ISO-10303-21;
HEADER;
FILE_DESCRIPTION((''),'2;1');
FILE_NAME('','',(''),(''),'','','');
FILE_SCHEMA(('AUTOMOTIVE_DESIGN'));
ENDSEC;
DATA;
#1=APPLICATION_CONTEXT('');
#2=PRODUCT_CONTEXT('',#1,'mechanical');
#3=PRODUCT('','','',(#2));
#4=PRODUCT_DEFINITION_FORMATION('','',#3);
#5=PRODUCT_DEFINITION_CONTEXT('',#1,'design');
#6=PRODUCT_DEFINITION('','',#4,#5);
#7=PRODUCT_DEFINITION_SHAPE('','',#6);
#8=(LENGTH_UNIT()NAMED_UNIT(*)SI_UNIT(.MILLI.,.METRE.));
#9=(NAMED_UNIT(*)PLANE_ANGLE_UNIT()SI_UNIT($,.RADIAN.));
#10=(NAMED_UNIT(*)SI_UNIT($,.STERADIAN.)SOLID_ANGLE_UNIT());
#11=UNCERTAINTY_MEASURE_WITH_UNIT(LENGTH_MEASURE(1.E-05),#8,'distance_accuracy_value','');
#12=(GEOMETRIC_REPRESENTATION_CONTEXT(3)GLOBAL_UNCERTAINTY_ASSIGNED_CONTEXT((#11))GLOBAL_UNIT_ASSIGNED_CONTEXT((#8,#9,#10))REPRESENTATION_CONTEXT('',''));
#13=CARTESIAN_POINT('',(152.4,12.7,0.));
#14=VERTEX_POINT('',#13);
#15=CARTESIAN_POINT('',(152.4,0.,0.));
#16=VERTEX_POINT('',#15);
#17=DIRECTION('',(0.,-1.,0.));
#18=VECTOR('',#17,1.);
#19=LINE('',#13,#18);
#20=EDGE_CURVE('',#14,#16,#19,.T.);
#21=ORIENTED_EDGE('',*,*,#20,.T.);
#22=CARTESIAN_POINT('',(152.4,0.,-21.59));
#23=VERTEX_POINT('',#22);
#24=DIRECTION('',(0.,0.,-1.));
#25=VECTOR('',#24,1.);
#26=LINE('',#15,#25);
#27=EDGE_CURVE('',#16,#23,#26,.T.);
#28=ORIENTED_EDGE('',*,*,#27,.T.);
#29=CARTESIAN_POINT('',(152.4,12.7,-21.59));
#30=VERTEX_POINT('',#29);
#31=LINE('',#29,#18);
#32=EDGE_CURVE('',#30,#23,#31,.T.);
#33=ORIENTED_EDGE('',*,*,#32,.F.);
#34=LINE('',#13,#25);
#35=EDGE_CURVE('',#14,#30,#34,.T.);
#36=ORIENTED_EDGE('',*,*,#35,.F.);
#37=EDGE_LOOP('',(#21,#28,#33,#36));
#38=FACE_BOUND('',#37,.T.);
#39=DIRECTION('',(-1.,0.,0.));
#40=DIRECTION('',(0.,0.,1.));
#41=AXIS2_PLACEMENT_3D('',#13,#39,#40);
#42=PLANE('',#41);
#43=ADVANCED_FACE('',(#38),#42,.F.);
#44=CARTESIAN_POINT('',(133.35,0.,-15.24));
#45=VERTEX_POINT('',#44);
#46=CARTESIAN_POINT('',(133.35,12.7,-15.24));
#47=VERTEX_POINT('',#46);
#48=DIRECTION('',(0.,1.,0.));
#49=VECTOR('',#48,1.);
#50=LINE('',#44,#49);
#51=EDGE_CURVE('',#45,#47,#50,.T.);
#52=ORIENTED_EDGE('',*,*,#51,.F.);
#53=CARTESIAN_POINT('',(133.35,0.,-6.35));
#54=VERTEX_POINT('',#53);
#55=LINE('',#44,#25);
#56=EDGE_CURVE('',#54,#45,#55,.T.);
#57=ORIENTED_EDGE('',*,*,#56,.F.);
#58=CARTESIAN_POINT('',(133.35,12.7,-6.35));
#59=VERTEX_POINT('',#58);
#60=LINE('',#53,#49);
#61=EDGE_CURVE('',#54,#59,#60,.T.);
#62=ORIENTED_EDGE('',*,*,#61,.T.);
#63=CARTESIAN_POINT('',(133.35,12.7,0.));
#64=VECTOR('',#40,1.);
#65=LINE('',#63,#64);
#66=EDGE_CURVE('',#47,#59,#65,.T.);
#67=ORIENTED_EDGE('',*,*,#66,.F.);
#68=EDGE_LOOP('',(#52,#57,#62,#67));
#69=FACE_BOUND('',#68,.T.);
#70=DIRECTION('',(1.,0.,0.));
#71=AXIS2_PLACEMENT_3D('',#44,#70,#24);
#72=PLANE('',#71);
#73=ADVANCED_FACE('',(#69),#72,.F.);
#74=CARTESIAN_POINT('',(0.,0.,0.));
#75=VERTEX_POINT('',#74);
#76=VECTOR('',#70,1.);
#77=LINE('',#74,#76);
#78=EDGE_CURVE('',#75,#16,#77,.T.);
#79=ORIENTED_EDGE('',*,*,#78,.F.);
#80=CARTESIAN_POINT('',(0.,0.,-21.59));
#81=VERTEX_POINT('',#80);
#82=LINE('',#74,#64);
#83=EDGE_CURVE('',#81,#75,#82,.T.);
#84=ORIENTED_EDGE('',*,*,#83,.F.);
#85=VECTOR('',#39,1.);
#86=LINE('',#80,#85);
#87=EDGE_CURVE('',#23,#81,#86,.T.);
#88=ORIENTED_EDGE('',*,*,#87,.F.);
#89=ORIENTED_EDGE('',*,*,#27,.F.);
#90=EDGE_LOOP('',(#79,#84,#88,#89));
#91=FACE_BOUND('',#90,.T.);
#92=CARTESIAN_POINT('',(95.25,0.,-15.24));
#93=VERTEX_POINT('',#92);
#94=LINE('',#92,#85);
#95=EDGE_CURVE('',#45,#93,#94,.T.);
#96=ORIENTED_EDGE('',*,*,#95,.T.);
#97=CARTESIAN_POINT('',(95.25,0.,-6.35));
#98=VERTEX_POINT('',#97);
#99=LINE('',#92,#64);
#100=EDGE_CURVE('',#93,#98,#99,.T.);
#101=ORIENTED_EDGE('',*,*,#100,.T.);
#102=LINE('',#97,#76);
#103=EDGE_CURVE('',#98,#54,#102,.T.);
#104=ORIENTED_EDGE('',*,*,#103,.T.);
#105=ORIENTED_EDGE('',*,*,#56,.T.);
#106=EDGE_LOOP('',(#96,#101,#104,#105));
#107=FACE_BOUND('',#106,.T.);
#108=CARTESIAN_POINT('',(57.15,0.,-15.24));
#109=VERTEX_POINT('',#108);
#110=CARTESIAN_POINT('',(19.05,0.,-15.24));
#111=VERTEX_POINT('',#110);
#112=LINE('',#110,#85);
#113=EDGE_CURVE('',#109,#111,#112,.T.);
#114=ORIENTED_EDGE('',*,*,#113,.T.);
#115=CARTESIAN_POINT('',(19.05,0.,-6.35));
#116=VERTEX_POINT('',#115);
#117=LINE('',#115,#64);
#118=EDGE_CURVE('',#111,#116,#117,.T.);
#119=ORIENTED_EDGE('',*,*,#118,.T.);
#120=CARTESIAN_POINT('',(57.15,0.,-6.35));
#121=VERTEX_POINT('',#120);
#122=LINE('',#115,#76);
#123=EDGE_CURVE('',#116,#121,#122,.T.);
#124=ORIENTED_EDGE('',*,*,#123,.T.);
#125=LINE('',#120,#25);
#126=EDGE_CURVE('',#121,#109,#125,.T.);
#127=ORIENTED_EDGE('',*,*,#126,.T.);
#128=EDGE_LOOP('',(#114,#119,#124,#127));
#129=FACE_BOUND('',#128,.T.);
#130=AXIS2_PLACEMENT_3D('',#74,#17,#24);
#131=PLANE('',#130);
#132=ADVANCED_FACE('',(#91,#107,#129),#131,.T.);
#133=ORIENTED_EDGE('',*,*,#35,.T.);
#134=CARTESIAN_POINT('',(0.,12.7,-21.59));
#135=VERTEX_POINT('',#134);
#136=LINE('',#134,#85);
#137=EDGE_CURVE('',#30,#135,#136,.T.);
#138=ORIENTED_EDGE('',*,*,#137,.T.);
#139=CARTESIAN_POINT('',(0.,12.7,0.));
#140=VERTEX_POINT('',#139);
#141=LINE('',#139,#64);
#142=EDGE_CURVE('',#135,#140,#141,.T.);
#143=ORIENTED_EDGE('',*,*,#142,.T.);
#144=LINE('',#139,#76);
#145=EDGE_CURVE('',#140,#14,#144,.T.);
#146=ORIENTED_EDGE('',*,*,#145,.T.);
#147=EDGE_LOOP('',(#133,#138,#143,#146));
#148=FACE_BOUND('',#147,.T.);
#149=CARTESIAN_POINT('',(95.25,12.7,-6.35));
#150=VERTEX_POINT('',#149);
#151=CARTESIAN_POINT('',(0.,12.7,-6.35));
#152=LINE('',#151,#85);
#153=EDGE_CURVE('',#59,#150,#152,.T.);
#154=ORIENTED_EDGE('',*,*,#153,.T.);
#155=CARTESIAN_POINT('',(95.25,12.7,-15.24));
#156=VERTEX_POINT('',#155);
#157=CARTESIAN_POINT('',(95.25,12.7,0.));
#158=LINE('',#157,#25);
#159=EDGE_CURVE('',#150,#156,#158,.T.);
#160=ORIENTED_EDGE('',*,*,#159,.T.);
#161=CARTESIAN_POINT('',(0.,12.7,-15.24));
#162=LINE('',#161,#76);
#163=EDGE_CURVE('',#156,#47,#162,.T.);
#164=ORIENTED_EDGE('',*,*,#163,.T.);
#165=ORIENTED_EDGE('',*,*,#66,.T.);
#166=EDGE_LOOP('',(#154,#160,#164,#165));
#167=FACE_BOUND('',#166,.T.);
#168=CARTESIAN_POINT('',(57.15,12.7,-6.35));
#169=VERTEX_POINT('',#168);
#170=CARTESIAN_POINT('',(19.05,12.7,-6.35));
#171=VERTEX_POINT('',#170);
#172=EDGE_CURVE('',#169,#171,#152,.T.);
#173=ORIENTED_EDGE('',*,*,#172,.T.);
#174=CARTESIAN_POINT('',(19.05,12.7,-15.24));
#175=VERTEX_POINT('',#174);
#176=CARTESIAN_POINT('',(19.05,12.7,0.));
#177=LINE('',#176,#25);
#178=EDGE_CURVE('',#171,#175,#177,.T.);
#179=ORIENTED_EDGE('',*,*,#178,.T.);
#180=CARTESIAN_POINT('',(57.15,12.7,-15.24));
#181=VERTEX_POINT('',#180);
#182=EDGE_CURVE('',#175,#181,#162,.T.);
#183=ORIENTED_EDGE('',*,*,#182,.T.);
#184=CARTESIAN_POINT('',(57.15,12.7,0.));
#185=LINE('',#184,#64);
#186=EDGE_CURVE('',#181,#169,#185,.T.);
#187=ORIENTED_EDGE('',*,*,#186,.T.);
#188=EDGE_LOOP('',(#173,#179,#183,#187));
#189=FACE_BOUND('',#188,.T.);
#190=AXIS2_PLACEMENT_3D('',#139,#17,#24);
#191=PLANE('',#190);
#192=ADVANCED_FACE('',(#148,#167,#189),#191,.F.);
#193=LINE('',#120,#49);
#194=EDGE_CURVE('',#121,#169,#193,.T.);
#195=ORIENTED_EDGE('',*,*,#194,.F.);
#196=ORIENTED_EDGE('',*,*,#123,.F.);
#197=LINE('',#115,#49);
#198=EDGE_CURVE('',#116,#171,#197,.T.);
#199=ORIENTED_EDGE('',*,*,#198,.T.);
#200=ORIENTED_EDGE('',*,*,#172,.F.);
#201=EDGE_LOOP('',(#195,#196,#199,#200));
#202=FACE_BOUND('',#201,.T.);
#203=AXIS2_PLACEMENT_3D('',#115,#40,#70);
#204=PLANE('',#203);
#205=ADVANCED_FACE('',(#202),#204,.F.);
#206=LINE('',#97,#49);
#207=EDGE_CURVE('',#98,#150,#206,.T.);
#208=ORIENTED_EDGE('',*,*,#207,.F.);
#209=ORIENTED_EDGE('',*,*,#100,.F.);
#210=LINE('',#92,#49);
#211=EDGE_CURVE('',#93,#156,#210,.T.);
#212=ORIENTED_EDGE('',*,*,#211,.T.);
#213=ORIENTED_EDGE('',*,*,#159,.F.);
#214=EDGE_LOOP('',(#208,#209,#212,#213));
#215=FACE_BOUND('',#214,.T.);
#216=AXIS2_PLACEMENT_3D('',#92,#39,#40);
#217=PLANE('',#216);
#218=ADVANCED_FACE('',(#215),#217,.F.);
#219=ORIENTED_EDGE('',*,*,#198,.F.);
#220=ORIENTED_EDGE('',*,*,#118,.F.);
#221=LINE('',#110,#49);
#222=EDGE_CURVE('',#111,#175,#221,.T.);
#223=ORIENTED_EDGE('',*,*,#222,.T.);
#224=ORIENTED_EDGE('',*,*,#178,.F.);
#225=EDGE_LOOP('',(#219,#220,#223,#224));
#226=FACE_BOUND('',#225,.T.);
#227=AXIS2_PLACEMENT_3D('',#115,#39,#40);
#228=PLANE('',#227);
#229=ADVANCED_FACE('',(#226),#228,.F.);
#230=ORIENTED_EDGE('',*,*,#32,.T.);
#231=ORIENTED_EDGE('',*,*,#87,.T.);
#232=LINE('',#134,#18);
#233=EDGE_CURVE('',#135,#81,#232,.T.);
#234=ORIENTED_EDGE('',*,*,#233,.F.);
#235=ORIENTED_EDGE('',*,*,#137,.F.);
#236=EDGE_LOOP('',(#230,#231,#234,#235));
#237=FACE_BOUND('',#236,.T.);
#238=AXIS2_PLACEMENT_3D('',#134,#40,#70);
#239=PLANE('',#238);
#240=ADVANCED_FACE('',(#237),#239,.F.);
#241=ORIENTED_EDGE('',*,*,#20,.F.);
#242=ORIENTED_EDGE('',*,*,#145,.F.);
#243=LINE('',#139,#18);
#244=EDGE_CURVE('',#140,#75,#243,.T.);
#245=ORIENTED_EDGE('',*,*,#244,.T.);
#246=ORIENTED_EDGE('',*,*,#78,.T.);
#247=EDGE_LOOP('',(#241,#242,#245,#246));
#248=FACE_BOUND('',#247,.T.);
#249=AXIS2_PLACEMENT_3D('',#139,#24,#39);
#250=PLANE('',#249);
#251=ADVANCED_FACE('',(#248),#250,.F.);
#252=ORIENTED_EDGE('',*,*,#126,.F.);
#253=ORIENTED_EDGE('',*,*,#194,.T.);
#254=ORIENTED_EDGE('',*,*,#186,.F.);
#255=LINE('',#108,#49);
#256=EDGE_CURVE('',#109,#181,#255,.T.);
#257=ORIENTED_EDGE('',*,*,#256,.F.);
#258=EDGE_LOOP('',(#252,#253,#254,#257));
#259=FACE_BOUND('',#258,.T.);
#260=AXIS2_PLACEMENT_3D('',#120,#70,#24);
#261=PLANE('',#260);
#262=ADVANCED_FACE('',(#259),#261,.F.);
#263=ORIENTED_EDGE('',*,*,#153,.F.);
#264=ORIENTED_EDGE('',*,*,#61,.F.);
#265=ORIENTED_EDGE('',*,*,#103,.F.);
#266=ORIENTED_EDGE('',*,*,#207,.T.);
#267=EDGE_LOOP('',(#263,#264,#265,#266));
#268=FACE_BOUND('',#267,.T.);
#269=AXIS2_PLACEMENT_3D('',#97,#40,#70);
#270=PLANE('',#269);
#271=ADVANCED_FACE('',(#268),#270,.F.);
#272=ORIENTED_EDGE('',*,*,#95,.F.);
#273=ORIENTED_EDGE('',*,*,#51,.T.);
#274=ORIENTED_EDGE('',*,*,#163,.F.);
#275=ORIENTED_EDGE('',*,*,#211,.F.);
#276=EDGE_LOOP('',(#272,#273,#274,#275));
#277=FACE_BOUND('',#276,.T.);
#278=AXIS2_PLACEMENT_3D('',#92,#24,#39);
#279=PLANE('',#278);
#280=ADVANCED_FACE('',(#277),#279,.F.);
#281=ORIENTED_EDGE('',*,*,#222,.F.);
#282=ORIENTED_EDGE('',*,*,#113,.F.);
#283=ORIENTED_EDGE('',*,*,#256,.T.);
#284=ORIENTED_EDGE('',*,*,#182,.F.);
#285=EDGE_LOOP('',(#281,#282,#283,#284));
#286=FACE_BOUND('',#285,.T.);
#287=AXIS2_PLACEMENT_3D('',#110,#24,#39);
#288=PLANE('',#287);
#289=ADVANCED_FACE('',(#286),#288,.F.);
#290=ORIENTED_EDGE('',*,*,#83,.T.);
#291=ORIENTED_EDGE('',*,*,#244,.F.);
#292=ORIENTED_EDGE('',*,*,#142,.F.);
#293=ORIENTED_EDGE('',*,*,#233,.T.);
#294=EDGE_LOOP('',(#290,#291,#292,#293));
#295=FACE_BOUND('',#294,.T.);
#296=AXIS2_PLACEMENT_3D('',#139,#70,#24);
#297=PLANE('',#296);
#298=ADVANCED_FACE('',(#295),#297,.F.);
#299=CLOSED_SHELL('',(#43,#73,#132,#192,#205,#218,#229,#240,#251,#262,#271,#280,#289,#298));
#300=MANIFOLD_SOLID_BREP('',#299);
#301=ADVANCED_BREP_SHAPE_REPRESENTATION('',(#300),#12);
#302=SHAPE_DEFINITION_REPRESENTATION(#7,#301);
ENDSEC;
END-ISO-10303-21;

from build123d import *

# Parameters (mm, degrees)
SKETCH1_W               = 152.4
SKETCH1_H               = 21.59
BOSS_EXTRUDE1_DEPTH     = 12.7
SKETCH2_W               = 38.1
SKETCH2_H               = 8.89
CUT_EXTRUDE1_DEPTH      = 1
CUT_EXTRUDE1_DEPTH_BACK = 13.7


with BuildPart() as part:
    # Sketch1 → Boss-Extrude1 (new body)
    with BuildSketch(Plane(origin=(0, 0, 0), x_dir=(1, 0, 0), z_dir=(0, 1, 0))):
        with Locations((76.2, 10.795)):
            Rectangle(SKETCH1_W, SKETCH1_H)
    extrude(amount=BOSS_EXTRUDE1_DEPTH)

    # Sketch2 → Cut-Extrude1 (cut, two sides)
    with BuildSketch(Plane(origin=(0, 12.7, 0), x_dir=(1, 0, 0), z_dir=(0, 1, 0))) as cut_extrude1_sk:
        with Locations((38.1, 10.795)):
            Rectangle(SKETCH2_W, SKETCH2_H)
        with Locations((114.3, 10.795)):
            Rectangle(SKETCH2_W, SKETCH2_H)
    extrude(amount=CUT_EXTRUDE1_DEPTH, mode=Mode.SUBTRACT)
    extrude(cut_extrude1_sk.sketch, amount=-CUT_EXTRUDE1_DEPTH_BACK, mode=Mode.SUBTRACT)


solid = part.part
